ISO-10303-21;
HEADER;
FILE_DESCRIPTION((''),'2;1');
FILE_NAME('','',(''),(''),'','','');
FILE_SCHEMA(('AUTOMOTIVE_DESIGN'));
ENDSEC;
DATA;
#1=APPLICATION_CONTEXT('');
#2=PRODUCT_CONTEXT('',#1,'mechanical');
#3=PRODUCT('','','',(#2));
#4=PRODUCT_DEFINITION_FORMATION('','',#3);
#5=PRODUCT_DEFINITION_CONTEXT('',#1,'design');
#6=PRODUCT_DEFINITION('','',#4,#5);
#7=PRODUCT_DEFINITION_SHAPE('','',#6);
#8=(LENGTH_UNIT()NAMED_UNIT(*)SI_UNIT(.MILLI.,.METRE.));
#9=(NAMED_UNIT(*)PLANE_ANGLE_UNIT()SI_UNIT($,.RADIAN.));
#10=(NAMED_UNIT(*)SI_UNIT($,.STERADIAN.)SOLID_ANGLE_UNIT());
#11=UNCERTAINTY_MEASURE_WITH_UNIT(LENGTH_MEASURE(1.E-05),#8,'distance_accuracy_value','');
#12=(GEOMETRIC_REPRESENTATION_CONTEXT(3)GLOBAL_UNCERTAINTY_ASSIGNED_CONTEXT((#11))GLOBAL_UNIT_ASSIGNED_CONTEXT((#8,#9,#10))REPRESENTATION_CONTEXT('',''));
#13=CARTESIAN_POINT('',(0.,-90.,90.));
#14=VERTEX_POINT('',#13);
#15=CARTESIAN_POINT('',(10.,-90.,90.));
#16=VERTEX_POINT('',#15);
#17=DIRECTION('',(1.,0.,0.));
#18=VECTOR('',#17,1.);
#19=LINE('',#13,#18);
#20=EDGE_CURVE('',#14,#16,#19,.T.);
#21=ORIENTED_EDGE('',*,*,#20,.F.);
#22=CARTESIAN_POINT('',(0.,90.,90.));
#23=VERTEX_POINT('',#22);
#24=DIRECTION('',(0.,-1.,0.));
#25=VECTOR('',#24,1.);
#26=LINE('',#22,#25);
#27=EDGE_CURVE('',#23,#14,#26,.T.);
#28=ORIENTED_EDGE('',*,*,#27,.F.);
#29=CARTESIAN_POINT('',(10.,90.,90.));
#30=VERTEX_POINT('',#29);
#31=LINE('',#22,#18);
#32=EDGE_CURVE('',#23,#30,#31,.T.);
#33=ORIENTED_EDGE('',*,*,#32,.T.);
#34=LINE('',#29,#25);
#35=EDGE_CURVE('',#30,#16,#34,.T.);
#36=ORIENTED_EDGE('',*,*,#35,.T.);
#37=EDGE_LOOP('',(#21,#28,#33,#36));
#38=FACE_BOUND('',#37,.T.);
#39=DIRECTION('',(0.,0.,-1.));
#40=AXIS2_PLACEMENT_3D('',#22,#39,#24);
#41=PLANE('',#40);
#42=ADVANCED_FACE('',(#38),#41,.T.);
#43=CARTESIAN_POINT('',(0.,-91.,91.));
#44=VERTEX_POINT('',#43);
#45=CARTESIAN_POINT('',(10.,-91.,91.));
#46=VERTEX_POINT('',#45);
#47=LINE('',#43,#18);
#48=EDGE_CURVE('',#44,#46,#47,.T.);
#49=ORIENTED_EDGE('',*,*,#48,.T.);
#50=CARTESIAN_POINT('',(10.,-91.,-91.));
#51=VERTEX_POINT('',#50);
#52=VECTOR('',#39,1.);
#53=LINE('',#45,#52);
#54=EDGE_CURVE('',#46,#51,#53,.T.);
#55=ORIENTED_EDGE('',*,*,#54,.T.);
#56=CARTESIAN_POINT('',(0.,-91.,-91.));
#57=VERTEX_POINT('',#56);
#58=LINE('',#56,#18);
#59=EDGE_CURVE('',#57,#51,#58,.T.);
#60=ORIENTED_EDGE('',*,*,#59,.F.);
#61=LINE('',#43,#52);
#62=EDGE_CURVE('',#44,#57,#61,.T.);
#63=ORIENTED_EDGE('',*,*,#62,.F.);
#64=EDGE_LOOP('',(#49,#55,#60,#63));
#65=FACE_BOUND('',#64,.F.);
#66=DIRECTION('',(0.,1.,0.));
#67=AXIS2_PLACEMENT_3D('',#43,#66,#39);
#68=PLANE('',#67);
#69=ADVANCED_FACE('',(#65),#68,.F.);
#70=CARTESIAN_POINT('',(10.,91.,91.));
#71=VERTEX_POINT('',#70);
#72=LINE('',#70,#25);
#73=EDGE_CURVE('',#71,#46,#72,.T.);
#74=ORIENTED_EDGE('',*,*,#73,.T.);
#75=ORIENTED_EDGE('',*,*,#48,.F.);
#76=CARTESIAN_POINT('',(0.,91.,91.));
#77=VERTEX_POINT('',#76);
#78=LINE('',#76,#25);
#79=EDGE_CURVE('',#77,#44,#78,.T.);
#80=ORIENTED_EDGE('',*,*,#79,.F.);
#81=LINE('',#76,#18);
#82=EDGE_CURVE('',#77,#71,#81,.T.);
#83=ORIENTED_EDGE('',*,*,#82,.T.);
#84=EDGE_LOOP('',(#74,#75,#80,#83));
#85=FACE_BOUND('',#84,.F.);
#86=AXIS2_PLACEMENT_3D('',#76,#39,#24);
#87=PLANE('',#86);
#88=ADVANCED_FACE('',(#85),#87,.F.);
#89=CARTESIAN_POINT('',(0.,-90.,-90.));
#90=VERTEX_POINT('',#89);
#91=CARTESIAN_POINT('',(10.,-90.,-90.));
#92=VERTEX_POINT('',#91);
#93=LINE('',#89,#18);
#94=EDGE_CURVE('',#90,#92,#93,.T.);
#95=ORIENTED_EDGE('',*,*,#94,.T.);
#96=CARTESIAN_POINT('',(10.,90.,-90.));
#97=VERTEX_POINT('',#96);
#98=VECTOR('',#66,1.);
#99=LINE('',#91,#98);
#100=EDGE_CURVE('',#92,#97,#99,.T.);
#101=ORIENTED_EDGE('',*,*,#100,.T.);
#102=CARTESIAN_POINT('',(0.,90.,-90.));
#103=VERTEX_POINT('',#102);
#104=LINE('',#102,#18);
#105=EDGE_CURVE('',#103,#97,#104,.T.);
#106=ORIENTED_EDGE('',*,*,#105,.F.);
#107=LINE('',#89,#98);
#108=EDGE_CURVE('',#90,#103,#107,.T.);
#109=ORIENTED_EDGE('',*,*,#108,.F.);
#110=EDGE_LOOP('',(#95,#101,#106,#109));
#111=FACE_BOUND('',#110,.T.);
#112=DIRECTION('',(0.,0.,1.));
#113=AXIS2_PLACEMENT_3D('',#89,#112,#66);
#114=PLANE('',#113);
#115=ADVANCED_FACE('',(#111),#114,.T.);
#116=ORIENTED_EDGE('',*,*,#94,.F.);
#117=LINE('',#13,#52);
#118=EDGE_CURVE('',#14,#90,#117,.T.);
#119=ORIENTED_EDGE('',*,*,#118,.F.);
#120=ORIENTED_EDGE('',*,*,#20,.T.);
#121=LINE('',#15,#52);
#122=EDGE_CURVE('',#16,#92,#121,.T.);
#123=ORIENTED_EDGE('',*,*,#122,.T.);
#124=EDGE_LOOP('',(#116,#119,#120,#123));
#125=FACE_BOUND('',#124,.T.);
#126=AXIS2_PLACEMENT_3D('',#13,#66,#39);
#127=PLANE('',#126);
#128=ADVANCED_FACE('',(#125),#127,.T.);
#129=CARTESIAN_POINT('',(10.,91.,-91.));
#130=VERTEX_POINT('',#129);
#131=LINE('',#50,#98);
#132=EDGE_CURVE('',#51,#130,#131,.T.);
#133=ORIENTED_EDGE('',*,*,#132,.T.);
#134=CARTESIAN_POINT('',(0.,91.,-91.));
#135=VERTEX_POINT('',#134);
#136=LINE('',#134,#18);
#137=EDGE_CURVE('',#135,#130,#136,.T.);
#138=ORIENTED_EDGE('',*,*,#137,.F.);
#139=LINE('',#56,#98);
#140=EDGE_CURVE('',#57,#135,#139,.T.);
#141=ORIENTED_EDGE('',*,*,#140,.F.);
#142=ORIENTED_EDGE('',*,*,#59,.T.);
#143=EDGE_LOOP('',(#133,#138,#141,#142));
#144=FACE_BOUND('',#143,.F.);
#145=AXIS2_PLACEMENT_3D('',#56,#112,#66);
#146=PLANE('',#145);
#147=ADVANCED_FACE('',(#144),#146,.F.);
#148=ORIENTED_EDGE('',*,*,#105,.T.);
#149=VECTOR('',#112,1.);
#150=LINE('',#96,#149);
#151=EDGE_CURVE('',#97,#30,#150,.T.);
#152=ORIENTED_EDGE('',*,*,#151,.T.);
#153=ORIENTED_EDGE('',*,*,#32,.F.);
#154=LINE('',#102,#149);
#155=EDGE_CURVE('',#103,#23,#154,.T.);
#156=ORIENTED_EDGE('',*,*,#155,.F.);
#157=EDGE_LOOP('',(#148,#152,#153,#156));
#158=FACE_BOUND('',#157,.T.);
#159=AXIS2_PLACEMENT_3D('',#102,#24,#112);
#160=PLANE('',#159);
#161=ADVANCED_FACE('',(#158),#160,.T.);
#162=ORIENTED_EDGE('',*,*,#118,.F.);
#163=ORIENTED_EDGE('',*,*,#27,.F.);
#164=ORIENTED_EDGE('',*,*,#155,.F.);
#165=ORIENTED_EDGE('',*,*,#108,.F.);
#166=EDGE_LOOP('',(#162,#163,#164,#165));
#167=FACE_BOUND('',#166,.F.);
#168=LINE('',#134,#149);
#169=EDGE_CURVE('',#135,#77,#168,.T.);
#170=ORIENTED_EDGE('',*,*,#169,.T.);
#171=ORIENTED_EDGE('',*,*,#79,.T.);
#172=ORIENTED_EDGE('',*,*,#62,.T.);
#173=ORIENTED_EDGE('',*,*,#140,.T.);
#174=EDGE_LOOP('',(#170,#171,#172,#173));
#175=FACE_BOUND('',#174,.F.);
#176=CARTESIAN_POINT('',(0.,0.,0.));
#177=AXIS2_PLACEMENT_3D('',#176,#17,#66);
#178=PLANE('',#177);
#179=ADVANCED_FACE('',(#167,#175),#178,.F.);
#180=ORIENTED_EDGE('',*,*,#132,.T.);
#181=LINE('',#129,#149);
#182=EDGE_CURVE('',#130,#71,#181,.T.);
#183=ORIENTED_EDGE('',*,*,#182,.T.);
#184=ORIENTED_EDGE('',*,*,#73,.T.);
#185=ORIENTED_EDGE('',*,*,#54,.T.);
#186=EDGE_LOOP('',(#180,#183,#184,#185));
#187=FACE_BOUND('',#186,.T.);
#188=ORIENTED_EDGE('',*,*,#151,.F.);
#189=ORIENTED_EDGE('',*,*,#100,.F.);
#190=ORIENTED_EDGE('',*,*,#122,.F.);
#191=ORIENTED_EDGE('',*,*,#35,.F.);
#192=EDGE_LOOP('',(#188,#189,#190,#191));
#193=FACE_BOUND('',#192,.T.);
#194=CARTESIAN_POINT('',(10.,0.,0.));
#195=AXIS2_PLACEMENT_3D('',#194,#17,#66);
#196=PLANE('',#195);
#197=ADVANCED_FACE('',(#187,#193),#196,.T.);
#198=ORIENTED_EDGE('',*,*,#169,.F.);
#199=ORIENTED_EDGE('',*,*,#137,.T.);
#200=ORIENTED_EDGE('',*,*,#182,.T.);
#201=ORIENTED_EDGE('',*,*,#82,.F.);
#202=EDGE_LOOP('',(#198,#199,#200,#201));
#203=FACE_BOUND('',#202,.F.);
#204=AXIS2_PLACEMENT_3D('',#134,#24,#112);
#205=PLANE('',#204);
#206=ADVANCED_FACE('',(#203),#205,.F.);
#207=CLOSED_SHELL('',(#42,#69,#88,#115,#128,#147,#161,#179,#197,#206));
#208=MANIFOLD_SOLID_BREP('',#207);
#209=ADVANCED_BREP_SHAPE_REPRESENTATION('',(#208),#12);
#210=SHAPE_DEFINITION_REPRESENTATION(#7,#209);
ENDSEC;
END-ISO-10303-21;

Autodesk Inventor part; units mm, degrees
ref_plane "YZ Plane" through (0, 0, 0) normal (1, 0, 0) x (0, 1, 0)
ref_plane "XZ Plane" through (0, 0, 0) normal (0, 1, 0) x (-1, 0, 0)
ref_plane "XY Plane" through (0, 0, 0) normal (0, 0, 1) x (1, 0, 0)
sketch "Sketch1" plane through (0, 0, 0) normal (1, 0, 0) x (0, 1, 0)
  line L0 (90, 90) -> (-90, 90)
  line L1 (-90, 90) -> (-90, -90)
  line L2 (-90, -90) -> (90, -90)
  line L3 (90, -90) -> (90, 90)
  line L4 (91, 91) -> (-91, 91)
  line L5 (-91, 91) -> (-91, -91)
  line L6 (-91, -91) -> (91, -91)
  line L7 (91, -91) -> (91, 91)
  point P0 (0, 0)
  dimension "d0" = 180
  dimension "d1" = 180
  dimension "d2" = 90
  dimension "d3" = 90
  dimension "d4" = 1
  dimension "d5" = 1
  dimension "d6" = 1
  dimension "d7" = 1
extrude "Extrusion1" add sketch "Sketch1" along normal blind 10
properties part number "frame"
